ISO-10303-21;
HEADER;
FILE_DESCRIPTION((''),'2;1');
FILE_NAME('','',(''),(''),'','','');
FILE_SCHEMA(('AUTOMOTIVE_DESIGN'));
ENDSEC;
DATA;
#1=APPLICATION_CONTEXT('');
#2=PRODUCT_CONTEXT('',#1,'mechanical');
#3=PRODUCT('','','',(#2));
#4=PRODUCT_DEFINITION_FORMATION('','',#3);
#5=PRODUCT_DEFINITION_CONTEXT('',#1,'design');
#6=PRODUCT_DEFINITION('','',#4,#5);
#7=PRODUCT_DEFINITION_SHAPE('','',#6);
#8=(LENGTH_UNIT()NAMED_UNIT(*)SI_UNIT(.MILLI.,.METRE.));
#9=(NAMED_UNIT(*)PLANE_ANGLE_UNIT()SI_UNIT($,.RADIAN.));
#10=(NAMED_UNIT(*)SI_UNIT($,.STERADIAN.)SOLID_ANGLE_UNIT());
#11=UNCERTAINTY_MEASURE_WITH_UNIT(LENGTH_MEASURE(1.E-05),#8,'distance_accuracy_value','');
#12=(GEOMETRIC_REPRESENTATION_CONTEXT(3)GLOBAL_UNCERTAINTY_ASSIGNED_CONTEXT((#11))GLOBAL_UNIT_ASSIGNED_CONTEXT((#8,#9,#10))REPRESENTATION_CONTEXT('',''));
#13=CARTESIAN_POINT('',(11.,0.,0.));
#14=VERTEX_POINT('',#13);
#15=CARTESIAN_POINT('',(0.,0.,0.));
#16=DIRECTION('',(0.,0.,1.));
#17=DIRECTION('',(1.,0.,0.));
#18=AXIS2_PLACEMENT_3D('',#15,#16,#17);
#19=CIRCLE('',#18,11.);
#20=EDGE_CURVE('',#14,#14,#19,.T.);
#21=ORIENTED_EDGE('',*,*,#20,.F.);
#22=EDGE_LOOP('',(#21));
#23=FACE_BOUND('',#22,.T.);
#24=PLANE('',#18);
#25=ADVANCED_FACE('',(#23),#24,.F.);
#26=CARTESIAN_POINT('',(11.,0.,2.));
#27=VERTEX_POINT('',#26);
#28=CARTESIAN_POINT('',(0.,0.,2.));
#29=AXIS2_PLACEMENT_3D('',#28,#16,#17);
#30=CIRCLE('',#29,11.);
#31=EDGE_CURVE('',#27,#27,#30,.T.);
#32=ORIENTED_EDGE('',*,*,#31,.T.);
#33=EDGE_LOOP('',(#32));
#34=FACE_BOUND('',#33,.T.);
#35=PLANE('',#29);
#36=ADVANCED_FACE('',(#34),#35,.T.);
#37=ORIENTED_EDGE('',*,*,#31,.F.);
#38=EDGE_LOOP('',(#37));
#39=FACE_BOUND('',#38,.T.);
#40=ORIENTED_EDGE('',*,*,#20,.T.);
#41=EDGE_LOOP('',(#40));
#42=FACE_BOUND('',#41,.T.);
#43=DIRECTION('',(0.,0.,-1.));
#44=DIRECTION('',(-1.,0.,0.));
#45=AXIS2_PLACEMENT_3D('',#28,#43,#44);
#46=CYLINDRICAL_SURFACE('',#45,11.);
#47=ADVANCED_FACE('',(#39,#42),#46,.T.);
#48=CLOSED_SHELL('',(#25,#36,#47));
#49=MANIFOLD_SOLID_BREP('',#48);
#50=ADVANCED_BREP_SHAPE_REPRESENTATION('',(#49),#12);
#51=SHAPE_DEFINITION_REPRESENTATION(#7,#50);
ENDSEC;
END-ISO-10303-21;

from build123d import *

# Parameters (mm, degrees)
SKETCH1_R           = 11
BOSS_EXTRUDE1_DEPTH = 2


with BuildPart() as part:
    # Sketch1 → Boss-Extrude1 (new body)
    with BuildSketch(Plane.XY):
        Circle(SKETCH1_R)
    extrude(amount=BOSS_EXTRUDE1_DEPTH)


solid = part.part
